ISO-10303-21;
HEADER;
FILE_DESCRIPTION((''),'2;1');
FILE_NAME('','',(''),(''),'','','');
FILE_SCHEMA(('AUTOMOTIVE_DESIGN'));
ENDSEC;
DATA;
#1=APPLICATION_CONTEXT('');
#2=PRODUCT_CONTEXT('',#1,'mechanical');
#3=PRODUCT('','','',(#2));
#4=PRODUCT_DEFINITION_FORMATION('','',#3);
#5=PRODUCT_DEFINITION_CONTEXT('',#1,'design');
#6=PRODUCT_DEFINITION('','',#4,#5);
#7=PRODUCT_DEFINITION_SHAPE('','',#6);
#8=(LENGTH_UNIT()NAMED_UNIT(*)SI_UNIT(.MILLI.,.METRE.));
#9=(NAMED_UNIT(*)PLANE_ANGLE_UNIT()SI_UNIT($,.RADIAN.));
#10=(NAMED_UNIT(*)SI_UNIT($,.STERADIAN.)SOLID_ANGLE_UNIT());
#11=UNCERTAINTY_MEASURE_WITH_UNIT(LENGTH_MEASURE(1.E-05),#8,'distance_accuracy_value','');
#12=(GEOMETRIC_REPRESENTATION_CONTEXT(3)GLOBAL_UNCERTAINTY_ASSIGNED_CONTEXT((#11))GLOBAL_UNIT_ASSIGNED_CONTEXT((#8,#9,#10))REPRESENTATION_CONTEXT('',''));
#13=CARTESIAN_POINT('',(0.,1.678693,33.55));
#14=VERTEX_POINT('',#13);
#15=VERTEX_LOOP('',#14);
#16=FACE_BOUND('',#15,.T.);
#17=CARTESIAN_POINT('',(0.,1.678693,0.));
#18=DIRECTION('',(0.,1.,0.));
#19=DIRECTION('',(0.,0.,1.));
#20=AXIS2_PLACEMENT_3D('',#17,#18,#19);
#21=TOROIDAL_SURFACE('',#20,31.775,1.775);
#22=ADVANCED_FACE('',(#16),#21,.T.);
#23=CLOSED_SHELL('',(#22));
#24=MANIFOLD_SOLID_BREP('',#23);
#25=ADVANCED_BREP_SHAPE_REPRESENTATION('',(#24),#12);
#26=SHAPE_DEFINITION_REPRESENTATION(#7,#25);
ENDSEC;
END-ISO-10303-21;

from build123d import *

# Parameters (mm, degrees)
SKETCH_1_R = 1.775


with BuildPart() as part:
    # 草图1 → 旋转1 (revolve)
    with BuildSketch(Plane.XY):
        with Locations((31.775, 1.678692747)):
            Circle(SKETCH_1_R)
    revolve(axis=Axis((0, 55, 0), (0, -1, 0)))


solid = part.part
